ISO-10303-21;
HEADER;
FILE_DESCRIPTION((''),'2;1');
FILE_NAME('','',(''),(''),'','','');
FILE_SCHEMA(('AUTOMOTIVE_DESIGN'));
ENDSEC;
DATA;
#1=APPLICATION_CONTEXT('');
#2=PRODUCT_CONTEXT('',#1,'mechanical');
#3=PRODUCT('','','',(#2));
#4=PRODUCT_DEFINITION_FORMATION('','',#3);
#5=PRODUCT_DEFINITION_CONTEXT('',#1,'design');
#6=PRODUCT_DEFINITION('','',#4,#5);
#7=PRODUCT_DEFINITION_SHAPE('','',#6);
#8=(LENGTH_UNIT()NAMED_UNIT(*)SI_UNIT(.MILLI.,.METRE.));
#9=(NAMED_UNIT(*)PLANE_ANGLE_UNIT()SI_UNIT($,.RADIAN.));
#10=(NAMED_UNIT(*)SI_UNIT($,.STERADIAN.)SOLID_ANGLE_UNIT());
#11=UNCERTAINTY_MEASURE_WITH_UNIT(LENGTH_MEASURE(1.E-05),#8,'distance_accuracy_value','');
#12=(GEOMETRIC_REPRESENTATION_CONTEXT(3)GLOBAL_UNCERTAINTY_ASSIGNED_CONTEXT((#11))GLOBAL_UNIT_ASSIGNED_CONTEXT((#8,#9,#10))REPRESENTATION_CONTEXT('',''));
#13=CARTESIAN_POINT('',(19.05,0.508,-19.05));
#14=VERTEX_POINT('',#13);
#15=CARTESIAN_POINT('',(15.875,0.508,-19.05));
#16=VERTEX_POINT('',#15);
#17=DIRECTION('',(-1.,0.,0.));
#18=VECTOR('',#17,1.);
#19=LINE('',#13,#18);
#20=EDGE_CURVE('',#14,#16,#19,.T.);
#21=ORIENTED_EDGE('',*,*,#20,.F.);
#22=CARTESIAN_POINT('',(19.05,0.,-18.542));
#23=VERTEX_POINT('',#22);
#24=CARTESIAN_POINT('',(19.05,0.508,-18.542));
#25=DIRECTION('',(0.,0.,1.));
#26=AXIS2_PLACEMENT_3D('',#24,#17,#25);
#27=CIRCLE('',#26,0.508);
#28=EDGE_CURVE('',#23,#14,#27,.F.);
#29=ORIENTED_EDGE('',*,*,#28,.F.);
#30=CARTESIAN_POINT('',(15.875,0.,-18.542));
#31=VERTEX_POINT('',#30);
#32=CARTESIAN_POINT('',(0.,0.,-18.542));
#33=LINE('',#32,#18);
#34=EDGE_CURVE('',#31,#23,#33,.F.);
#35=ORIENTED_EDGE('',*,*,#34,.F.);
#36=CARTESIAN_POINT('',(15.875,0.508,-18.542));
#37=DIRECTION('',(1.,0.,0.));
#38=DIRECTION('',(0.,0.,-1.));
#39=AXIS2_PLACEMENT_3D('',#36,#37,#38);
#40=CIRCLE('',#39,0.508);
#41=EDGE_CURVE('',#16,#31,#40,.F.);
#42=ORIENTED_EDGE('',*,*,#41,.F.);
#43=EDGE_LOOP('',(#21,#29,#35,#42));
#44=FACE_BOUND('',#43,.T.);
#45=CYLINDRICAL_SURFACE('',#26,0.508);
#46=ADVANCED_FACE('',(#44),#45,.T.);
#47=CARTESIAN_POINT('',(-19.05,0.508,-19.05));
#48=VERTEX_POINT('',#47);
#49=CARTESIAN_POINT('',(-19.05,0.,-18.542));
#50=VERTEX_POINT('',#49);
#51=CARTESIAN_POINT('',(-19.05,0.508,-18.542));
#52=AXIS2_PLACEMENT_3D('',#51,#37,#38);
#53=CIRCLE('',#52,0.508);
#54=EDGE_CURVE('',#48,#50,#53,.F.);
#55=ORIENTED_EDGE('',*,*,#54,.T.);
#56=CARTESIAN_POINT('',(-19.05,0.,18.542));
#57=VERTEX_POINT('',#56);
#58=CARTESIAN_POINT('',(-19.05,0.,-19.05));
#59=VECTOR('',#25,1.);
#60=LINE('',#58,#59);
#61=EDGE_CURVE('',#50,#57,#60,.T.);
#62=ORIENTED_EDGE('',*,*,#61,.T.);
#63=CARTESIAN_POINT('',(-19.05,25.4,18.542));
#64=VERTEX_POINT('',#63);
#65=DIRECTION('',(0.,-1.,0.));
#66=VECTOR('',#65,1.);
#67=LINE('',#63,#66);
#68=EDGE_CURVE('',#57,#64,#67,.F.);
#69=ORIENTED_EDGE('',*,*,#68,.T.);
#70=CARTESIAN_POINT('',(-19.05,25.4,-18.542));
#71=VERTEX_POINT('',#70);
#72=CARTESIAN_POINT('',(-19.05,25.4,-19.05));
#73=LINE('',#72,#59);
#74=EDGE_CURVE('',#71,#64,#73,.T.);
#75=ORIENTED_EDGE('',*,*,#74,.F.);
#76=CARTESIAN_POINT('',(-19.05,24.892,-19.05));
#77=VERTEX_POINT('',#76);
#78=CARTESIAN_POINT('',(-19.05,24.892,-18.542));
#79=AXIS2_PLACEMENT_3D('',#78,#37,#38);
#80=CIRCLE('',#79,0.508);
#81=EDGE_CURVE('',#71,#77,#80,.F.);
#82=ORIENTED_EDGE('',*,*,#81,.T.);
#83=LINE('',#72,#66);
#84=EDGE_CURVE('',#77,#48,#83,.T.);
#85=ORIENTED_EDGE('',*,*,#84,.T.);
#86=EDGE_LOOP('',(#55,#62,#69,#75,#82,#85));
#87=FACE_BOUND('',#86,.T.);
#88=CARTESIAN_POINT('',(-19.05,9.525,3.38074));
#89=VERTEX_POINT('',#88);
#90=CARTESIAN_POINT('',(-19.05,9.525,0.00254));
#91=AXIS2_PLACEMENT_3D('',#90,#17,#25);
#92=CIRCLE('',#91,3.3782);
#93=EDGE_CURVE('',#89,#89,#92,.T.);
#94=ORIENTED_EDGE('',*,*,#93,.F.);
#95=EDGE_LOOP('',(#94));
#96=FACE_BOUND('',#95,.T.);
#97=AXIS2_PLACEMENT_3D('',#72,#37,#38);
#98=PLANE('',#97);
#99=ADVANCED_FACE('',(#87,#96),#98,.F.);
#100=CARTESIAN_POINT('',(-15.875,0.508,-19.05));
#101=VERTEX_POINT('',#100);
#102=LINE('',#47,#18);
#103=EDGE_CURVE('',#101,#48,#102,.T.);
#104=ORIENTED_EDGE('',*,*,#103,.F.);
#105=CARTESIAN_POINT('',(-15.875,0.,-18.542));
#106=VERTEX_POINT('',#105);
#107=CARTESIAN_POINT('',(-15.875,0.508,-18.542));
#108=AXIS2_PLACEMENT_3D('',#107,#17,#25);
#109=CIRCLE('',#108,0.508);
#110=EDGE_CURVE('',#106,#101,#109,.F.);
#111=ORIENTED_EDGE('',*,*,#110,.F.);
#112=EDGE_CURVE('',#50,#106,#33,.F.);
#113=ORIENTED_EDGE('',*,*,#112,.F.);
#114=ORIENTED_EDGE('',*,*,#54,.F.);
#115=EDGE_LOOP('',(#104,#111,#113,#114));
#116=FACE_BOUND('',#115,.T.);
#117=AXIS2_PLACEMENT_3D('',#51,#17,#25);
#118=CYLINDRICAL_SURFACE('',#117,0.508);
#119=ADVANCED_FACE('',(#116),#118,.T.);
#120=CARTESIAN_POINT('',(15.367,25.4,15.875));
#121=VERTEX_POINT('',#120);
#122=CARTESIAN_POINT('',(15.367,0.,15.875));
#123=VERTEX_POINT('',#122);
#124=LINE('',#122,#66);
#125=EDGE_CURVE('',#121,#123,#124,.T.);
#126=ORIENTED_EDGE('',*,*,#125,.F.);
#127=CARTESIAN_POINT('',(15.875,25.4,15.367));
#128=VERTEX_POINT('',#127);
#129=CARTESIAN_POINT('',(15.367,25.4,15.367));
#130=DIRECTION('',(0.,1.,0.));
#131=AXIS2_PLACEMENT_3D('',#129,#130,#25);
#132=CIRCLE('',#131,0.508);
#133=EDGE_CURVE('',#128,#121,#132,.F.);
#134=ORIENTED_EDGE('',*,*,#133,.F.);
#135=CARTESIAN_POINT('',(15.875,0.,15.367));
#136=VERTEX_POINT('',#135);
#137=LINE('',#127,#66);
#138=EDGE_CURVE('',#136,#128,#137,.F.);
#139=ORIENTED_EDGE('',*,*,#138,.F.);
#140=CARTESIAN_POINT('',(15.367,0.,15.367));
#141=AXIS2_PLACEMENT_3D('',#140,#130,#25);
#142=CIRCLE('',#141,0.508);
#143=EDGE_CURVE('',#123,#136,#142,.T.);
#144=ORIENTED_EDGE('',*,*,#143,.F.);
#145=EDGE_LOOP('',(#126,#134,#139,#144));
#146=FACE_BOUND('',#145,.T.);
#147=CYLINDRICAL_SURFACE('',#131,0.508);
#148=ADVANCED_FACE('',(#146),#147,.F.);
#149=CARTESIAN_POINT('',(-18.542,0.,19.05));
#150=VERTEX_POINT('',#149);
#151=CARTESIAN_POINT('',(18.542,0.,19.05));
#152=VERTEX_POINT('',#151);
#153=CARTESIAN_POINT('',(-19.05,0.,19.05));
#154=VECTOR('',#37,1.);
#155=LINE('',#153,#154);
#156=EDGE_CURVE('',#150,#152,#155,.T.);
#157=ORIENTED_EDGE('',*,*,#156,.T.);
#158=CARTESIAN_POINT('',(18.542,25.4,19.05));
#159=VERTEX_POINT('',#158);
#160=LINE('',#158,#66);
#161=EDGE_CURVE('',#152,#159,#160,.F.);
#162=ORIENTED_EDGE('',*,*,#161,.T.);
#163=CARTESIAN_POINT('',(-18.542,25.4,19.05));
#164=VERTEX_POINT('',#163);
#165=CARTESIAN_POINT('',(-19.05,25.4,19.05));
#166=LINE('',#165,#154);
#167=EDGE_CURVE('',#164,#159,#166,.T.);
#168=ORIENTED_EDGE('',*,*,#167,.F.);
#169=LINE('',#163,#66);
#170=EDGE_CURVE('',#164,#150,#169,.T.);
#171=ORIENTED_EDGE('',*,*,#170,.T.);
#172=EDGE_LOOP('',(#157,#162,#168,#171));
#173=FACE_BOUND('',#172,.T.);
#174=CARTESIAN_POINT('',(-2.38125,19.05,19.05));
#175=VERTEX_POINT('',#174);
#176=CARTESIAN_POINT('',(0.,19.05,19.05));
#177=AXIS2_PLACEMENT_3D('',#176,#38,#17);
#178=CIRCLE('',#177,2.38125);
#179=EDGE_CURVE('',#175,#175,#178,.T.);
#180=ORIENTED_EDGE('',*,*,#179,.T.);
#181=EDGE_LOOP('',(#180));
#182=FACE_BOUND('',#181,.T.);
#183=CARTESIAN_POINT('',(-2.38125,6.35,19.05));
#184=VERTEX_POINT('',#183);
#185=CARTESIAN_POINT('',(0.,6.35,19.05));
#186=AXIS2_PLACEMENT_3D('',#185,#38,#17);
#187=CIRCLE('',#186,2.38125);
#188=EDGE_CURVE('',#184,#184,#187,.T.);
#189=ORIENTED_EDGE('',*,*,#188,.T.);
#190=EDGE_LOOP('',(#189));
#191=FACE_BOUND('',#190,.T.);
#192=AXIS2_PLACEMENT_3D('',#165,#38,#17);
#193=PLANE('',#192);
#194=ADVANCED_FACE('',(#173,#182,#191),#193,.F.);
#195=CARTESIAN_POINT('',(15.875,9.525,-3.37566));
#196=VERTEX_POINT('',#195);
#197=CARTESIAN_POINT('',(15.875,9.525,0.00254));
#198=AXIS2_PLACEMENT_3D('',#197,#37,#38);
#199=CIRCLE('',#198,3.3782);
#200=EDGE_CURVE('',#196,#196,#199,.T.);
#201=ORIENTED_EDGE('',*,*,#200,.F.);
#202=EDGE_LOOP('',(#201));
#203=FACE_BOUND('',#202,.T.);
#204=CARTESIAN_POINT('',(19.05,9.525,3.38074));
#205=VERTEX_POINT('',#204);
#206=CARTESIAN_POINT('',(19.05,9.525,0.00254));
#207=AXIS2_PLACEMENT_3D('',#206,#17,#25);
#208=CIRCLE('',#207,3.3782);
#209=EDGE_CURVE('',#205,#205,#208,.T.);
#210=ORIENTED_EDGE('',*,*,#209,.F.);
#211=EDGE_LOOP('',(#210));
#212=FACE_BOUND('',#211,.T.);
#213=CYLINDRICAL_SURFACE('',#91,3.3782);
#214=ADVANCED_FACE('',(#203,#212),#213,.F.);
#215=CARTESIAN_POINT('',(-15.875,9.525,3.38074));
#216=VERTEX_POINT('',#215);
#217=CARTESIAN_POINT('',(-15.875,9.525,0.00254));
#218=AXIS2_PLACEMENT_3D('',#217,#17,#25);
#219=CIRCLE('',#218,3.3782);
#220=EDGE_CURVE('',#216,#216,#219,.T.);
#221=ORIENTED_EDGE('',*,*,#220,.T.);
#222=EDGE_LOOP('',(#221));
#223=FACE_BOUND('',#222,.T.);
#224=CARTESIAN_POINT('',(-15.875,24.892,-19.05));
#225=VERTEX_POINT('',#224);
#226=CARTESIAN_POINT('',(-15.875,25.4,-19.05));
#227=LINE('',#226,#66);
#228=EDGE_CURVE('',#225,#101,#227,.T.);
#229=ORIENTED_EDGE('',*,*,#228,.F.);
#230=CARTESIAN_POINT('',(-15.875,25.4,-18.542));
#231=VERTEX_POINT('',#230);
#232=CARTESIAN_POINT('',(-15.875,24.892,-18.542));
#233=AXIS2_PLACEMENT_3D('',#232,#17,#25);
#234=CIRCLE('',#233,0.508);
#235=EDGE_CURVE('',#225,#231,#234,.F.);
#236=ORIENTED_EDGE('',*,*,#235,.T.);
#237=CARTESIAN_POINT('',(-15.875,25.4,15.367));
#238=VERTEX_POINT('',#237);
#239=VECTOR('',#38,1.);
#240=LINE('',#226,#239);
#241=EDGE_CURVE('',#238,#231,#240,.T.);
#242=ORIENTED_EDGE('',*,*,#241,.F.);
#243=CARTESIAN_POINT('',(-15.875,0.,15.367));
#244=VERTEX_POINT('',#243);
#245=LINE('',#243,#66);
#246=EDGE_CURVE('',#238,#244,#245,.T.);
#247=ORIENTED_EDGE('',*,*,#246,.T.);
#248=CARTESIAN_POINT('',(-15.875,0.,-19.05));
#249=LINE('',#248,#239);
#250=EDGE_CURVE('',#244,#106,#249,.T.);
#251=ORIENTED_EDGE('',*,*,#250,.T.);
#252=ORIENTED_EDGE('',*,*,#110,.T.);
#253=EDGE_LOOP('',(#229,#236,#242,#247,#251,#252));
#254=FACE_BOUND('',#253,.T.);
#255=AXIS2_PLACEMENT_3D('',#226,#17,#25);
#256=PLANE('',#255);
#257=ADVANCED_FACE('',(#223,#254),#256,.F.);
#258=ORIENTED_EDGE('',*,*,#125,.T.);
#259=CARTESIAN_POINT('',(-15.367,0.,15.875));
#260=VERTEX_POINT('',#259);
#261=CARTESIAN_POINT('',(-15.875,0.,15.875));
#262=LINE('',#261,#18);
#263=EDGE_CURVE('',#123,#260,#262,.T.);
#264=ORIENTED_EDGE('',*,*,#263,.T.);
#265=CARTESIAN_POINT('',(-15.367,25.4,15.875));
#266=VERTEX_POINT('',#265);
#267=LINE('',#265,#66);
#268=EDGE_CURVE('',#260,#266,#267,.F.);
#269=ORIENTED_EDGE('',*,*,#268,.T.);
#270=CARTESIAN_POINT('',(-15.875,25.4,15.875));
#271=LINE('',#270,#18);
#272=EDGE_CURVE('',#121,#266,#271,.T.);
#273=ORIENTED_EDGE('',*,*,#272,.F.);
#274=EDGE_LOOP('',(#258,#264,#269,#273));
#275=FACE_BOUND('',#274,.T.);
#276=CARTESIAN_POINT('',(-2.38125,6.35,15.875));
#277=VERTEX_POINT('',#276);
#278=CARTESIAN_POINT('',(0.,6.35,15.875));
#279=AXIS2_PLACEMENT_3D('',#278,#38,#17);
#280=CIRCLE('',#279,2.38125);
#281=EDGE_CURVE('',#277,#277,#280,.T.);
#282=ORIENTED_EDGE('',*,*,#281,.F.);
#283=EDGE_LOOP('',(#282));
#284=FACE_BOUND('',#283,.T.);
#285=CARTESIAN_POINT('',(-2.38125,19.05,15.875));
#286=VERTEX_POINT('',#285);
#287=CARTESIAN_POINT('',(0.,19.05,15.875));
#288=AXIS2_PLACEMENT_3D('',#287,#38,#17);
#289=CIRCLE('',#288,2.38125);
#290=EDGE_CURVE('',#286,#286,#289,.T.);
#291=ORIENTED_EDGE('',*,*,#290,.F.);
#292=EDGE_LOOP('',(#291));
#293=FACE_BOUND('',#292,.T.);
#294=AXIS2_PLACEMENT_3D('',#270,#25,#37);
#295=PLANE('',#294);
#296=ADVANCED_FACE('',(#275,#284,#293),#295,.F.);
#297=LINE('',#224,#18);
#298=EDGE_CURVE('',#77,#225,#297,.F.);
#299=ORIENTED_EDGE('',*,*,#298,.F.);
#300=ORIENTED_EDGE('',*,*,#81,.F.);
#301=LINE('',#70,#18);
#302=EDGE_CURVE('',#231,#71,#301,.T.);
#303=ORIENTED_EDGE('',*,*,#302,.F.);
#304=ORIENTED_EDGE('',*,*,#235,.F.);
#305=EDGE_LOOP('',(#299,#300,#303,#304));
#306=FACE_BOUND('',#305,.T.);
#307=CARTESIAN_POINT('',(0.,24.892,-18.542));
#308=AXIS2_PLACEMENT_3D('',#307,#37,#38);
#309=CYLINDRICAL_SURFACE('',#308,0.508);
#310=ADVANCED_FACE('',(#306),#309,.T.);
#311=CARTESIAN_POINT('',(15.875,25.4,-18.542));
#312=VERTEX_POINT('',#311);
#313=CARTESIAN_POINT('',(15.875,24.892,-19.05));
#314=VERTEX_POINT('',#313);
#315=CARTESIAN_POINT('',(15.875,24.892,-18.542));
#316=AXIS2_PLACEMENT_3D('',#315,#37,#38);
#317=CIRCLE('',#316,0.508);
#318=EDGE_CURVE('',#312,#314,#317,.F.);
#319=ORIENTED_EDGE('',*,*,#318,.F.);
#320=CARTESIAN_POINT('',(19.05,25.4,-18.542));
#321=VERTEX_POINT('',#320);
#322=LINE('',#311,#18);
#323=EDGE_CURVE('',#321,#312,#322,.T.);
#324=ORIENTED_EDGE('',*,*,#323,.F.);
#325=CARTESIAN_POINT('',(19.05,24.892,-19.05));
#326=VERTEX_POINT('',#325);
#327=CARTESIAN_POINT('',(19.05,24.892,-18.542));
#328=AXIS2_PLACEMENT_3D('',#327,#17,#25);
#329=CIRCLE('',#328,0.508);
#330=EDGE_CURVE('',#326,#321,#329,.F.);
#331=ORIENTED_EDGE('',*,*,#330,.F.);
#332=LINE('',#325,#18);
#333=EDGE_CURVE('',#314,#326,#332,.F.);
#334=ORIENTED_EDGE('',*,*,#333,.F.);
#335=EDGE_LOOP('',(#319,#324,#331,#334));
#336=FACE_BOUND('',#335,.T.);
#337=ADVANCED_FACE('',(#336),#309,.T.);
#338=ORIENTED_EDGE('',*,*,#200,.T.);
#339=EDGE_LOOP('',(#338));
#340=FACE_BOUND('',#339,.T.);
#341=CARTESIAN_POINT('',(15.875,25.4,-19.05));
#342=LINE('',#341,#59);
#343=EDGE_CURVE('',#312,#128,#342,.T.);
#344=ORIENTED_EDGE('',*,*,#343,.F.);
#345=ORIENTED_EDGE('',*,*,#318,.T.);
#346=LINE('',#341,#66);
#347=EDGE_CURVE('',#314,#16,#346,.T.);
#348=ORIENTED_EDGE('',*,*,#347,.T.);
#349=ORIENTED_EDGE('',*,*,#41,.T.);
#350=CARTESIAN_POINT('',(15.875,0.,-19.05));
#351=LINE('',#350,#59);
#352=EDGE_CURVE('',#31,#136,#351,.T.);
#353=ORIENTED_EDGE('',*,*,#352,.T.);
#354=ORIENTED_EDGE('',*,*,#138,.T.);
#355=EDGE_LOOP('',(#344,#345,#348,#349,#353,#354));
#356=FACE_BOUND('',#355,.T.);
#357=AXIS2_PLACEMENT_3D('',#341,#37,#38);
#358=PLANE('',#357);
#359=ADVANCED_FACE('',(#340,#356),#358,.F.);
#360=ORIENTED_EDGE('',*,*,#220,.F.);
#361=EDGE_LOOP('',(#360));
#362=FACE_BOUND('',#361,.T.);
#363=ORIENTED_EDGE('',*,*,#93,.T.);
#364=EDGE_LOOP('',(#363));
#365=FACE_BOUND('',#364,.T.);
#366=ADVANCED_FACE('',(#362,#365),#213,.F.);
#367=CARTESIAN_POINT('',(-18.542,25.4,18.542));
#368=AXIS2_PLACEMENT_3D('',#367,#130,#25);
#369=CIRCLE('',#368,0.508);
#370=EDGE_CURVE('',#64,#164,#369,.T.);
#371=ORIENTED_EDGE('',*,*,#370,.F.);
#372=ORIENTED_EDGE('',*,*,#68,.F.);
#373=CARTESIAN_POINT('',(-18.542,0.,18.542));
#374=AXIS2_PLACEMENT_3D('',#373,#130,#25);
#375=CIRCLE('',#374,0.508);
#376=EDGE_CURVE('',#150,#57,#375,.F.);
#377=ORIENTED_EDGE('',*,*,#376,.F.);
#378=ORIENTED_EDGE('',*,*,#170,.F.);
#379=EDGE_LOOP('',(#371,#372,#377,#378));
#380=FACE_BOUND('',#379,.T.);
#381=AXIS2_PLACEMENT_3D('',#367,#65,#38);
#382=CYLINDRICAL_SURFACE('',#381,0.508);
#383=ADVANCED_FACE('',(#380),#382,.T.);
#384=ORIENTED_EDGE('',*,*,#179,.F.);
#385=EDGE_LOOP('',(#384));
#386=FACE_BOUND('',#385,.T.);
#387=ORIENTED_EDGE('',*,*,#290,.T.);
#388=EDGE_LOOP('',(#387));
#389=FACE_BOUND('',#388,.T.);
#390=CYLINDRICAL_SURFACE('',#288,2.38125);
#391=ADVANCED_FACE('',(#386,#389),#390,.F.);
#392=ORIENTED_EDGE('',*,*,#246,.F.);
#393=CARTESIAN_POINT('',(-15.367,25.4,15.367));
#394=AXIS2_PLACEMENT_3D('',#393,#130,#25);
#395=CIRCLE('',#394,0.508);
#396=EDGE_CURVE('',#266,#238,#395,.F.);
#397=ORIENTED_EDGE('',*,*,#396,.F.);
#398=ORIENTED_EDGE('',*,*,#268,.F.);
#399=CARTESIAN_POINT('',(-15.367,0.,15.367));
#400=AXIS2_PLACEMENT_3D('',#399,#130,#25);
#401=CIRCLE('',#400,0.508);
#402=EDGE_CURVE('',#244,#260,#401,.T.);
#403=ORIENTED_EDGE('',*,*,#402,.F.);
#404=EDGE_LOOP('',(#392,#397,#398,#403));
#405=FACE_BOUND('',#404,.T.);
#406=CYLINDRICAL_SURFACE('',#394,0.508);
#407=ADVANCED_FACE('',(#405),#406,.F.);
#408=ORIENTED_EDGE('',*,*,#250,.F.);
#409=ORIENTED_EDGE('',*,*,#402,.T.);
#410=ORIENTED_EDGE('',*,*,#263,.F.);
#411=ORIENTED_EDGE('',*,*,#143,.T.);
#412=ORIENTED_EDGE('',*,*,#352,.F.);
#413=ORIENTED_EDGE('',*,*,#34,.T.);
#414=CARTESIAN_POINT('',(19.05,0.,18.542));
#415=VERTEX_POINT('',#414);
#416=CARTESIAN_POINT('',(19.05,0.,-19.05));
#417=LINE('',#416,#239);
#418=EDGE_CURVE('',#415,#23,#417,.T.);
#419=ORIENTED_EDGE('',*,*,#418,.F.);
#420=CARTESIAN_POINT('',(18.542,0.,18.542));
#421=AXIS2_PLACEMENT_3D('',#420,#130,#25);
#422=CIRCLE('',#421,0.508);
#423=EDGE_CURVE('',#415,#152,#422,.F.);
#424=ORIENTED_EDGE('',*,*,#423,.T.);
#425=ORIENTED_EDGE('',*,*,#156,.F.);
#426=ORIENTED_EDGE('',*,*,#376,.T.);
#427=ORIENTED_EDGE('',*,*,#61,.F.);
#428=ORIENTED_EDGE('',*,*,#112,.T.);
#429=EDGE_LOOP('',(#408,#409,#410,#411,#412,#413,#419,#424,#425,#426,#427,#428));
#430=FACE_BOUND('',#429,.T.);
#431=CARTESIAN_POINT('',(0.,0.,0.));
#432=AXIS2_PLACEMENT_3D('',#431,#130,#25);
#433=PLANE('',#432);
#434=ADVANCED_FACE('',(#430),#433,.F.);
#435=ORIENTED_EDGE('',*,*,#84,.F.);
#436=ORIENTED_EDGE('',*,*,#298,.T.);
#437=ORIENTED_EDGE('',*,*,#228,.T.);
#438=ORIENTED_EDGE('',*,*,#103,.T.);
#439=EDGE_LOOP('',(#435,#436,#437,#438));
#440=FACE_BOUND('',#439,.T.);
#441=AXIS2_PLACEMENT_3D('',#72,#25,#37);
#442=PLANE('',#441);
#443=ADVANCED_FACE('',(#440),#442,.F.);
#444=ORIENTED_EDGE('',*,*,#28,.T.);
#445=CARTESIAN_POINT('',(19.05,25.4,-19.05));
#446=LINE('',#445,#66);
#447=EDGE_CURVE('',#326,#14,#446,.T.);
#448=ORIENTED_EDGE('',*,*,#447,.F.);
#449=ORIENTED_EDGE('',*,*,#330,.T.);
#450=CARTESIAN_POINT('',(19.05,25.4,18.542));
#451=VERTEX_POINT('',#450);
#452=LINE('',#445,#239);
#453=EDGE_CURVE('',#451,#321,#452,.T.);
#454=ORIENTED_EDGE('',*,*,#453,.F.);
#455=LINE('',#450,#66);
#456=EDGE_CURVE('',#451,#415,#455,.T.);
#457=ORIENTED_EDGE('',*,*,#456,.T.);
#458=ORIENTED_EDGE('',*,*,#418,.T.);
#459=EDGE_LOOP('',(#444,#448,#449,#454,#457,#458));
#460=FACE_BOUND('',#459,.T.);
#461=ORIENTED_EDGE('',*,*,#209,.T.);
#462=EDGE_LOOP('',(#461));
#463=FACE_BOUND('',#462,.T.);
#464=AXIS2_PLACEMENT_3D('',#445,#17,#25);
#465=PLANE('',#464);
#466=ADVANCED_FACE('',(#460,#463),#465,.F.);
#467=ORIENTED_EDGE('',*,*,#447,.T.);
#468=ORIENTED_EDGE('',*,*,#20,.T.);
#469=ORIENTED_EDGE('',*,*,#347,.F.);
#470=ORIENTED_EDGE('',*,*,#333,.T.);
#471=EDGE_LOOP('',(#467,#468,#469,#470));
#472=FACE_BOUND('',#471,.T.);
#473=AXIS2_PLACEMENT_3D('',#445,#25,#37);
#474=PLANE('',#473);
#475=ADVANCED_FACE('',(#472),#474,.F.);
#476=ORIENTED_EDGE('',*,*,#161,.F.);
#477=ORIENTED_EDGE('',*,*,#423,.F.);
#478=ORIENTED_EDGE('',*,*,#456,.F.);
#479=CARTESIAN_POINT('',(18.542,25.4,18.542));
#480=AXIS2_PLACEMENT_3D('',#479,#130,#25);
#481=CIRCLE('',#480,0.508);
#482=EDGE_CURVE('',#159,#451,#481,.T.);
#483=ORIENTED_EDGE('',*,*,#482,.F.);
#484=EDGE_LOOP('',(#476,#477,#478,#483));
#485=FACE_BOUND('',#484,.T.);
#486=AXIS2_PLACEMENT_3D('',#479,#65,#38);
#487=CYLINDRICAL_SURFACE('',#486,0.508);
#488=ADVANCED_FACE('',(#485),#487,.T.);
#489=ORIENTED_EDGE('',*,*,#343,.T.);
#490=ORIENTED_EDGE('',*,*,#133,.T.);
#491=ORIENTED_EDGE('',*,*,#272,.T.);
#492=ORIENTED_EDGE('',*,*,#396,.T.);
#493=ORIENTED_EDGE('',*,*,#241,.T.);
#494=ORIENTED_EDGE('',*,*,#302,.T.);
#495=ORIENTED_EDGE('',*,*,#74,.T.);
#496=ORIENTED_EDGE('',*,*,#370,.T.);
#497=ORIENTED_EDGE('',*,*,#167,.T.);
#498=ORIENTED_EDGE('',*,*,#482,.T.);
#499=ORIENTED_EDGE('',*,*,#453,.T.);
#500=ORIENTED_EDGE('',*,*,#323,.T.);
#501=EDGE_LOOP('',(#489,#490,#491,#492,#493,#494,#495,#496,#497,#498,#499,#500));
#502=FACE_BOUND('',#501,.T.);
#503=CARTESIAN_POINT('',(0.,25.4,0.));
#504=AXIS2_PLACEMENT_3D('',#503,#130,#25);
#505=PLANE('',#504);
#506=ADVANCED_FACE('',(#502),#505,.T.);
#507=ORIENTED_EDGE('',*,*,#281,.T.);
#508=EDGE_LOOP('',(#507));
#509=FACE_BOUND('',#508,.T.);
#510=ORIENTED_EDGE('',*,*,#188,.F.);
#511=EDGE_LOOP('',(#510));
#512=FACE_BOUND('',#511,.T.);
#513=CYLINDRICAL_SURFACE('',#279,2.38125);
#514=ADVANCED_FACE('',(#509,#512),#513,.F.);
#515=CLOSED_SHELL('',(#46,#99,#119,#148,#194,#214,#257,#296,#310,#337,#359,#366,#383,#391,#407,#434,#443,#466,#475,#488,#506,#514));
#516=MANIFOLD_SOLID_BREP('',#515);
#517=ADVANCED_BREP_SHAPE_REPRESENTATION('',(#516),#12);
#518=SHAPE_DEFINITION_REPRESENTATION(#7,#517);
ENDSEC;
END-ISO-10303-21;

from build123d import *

# Parameters (mm, degrees)
BOSS_EXTRUDE1_DEPTH            = 25.4
F_1_4_CLEARANCE_HOLE1_D        = 6.7564
F_3_16_0_1875_DIAMETER_HOLE1_D = 4.7625
FILLET1_R                      = 0.508


with BuildPart() as part:
    # Sketch1 → Boss-Extrude1 (new body)
    with BuildSketch(Plane(origin=(0, 0, 0), x_dir=(1, 0, 0), z_dir=(0, 1, 0))):
        Polygon((-15.875, 19.05), (-15.875, -15.875), (15.875, -15.875), (15.875, 19.05), (19.05, 19.05), (19.05, -19.05), (-19.05, -19.05), (-19.05, 19.05), align=None)
    extrude(amount=BOSS_EXTRUDE1_DEPTH)

    # 1/4 Clearance Hole1 (through all)
    with Locations(Plane(origin=(-19.05, 0, 0), x_dir=(0, 0, -1), z_dir=(-1, 0, 0))):
        with Locations((-0.00254, -9.525)):
            Hole(F_1_4_CLEARANCE_HOLE1_D / 2)

    # 3/16 (0.1875) Diameter Hole1 (through all)
    with Locations(Plane(origin=(0, 0, 15.875), x_dir=(-1, 0, 0), z_dir=(0, 0, -1))):
        with Locations((0, 6.35), (0, 19.05)):
            Hole(F_3_16_0_1875_DIAMETER_HOLE1_D / 2)

    # Fillet1
    fillet1_edges = [part.edges().sort_by_distance(p)[0] for p in [
        (17.4625, 0, -19.05),
        (19.05, 12.7, 19.05),
        (-19.05, 12.7, 19.05),
        (-15.875, 12.7, 15.875),
        (15.875, 12.7, 15.875),
        (-17.4625, 25.4, -19.05),
        (17.4625, 25.4, -19.05),
        (-17.4625, 0, -19.05),
    ]]
    fillet(fillet1_edges, radius=FILLET1_R)


solid = part.part
